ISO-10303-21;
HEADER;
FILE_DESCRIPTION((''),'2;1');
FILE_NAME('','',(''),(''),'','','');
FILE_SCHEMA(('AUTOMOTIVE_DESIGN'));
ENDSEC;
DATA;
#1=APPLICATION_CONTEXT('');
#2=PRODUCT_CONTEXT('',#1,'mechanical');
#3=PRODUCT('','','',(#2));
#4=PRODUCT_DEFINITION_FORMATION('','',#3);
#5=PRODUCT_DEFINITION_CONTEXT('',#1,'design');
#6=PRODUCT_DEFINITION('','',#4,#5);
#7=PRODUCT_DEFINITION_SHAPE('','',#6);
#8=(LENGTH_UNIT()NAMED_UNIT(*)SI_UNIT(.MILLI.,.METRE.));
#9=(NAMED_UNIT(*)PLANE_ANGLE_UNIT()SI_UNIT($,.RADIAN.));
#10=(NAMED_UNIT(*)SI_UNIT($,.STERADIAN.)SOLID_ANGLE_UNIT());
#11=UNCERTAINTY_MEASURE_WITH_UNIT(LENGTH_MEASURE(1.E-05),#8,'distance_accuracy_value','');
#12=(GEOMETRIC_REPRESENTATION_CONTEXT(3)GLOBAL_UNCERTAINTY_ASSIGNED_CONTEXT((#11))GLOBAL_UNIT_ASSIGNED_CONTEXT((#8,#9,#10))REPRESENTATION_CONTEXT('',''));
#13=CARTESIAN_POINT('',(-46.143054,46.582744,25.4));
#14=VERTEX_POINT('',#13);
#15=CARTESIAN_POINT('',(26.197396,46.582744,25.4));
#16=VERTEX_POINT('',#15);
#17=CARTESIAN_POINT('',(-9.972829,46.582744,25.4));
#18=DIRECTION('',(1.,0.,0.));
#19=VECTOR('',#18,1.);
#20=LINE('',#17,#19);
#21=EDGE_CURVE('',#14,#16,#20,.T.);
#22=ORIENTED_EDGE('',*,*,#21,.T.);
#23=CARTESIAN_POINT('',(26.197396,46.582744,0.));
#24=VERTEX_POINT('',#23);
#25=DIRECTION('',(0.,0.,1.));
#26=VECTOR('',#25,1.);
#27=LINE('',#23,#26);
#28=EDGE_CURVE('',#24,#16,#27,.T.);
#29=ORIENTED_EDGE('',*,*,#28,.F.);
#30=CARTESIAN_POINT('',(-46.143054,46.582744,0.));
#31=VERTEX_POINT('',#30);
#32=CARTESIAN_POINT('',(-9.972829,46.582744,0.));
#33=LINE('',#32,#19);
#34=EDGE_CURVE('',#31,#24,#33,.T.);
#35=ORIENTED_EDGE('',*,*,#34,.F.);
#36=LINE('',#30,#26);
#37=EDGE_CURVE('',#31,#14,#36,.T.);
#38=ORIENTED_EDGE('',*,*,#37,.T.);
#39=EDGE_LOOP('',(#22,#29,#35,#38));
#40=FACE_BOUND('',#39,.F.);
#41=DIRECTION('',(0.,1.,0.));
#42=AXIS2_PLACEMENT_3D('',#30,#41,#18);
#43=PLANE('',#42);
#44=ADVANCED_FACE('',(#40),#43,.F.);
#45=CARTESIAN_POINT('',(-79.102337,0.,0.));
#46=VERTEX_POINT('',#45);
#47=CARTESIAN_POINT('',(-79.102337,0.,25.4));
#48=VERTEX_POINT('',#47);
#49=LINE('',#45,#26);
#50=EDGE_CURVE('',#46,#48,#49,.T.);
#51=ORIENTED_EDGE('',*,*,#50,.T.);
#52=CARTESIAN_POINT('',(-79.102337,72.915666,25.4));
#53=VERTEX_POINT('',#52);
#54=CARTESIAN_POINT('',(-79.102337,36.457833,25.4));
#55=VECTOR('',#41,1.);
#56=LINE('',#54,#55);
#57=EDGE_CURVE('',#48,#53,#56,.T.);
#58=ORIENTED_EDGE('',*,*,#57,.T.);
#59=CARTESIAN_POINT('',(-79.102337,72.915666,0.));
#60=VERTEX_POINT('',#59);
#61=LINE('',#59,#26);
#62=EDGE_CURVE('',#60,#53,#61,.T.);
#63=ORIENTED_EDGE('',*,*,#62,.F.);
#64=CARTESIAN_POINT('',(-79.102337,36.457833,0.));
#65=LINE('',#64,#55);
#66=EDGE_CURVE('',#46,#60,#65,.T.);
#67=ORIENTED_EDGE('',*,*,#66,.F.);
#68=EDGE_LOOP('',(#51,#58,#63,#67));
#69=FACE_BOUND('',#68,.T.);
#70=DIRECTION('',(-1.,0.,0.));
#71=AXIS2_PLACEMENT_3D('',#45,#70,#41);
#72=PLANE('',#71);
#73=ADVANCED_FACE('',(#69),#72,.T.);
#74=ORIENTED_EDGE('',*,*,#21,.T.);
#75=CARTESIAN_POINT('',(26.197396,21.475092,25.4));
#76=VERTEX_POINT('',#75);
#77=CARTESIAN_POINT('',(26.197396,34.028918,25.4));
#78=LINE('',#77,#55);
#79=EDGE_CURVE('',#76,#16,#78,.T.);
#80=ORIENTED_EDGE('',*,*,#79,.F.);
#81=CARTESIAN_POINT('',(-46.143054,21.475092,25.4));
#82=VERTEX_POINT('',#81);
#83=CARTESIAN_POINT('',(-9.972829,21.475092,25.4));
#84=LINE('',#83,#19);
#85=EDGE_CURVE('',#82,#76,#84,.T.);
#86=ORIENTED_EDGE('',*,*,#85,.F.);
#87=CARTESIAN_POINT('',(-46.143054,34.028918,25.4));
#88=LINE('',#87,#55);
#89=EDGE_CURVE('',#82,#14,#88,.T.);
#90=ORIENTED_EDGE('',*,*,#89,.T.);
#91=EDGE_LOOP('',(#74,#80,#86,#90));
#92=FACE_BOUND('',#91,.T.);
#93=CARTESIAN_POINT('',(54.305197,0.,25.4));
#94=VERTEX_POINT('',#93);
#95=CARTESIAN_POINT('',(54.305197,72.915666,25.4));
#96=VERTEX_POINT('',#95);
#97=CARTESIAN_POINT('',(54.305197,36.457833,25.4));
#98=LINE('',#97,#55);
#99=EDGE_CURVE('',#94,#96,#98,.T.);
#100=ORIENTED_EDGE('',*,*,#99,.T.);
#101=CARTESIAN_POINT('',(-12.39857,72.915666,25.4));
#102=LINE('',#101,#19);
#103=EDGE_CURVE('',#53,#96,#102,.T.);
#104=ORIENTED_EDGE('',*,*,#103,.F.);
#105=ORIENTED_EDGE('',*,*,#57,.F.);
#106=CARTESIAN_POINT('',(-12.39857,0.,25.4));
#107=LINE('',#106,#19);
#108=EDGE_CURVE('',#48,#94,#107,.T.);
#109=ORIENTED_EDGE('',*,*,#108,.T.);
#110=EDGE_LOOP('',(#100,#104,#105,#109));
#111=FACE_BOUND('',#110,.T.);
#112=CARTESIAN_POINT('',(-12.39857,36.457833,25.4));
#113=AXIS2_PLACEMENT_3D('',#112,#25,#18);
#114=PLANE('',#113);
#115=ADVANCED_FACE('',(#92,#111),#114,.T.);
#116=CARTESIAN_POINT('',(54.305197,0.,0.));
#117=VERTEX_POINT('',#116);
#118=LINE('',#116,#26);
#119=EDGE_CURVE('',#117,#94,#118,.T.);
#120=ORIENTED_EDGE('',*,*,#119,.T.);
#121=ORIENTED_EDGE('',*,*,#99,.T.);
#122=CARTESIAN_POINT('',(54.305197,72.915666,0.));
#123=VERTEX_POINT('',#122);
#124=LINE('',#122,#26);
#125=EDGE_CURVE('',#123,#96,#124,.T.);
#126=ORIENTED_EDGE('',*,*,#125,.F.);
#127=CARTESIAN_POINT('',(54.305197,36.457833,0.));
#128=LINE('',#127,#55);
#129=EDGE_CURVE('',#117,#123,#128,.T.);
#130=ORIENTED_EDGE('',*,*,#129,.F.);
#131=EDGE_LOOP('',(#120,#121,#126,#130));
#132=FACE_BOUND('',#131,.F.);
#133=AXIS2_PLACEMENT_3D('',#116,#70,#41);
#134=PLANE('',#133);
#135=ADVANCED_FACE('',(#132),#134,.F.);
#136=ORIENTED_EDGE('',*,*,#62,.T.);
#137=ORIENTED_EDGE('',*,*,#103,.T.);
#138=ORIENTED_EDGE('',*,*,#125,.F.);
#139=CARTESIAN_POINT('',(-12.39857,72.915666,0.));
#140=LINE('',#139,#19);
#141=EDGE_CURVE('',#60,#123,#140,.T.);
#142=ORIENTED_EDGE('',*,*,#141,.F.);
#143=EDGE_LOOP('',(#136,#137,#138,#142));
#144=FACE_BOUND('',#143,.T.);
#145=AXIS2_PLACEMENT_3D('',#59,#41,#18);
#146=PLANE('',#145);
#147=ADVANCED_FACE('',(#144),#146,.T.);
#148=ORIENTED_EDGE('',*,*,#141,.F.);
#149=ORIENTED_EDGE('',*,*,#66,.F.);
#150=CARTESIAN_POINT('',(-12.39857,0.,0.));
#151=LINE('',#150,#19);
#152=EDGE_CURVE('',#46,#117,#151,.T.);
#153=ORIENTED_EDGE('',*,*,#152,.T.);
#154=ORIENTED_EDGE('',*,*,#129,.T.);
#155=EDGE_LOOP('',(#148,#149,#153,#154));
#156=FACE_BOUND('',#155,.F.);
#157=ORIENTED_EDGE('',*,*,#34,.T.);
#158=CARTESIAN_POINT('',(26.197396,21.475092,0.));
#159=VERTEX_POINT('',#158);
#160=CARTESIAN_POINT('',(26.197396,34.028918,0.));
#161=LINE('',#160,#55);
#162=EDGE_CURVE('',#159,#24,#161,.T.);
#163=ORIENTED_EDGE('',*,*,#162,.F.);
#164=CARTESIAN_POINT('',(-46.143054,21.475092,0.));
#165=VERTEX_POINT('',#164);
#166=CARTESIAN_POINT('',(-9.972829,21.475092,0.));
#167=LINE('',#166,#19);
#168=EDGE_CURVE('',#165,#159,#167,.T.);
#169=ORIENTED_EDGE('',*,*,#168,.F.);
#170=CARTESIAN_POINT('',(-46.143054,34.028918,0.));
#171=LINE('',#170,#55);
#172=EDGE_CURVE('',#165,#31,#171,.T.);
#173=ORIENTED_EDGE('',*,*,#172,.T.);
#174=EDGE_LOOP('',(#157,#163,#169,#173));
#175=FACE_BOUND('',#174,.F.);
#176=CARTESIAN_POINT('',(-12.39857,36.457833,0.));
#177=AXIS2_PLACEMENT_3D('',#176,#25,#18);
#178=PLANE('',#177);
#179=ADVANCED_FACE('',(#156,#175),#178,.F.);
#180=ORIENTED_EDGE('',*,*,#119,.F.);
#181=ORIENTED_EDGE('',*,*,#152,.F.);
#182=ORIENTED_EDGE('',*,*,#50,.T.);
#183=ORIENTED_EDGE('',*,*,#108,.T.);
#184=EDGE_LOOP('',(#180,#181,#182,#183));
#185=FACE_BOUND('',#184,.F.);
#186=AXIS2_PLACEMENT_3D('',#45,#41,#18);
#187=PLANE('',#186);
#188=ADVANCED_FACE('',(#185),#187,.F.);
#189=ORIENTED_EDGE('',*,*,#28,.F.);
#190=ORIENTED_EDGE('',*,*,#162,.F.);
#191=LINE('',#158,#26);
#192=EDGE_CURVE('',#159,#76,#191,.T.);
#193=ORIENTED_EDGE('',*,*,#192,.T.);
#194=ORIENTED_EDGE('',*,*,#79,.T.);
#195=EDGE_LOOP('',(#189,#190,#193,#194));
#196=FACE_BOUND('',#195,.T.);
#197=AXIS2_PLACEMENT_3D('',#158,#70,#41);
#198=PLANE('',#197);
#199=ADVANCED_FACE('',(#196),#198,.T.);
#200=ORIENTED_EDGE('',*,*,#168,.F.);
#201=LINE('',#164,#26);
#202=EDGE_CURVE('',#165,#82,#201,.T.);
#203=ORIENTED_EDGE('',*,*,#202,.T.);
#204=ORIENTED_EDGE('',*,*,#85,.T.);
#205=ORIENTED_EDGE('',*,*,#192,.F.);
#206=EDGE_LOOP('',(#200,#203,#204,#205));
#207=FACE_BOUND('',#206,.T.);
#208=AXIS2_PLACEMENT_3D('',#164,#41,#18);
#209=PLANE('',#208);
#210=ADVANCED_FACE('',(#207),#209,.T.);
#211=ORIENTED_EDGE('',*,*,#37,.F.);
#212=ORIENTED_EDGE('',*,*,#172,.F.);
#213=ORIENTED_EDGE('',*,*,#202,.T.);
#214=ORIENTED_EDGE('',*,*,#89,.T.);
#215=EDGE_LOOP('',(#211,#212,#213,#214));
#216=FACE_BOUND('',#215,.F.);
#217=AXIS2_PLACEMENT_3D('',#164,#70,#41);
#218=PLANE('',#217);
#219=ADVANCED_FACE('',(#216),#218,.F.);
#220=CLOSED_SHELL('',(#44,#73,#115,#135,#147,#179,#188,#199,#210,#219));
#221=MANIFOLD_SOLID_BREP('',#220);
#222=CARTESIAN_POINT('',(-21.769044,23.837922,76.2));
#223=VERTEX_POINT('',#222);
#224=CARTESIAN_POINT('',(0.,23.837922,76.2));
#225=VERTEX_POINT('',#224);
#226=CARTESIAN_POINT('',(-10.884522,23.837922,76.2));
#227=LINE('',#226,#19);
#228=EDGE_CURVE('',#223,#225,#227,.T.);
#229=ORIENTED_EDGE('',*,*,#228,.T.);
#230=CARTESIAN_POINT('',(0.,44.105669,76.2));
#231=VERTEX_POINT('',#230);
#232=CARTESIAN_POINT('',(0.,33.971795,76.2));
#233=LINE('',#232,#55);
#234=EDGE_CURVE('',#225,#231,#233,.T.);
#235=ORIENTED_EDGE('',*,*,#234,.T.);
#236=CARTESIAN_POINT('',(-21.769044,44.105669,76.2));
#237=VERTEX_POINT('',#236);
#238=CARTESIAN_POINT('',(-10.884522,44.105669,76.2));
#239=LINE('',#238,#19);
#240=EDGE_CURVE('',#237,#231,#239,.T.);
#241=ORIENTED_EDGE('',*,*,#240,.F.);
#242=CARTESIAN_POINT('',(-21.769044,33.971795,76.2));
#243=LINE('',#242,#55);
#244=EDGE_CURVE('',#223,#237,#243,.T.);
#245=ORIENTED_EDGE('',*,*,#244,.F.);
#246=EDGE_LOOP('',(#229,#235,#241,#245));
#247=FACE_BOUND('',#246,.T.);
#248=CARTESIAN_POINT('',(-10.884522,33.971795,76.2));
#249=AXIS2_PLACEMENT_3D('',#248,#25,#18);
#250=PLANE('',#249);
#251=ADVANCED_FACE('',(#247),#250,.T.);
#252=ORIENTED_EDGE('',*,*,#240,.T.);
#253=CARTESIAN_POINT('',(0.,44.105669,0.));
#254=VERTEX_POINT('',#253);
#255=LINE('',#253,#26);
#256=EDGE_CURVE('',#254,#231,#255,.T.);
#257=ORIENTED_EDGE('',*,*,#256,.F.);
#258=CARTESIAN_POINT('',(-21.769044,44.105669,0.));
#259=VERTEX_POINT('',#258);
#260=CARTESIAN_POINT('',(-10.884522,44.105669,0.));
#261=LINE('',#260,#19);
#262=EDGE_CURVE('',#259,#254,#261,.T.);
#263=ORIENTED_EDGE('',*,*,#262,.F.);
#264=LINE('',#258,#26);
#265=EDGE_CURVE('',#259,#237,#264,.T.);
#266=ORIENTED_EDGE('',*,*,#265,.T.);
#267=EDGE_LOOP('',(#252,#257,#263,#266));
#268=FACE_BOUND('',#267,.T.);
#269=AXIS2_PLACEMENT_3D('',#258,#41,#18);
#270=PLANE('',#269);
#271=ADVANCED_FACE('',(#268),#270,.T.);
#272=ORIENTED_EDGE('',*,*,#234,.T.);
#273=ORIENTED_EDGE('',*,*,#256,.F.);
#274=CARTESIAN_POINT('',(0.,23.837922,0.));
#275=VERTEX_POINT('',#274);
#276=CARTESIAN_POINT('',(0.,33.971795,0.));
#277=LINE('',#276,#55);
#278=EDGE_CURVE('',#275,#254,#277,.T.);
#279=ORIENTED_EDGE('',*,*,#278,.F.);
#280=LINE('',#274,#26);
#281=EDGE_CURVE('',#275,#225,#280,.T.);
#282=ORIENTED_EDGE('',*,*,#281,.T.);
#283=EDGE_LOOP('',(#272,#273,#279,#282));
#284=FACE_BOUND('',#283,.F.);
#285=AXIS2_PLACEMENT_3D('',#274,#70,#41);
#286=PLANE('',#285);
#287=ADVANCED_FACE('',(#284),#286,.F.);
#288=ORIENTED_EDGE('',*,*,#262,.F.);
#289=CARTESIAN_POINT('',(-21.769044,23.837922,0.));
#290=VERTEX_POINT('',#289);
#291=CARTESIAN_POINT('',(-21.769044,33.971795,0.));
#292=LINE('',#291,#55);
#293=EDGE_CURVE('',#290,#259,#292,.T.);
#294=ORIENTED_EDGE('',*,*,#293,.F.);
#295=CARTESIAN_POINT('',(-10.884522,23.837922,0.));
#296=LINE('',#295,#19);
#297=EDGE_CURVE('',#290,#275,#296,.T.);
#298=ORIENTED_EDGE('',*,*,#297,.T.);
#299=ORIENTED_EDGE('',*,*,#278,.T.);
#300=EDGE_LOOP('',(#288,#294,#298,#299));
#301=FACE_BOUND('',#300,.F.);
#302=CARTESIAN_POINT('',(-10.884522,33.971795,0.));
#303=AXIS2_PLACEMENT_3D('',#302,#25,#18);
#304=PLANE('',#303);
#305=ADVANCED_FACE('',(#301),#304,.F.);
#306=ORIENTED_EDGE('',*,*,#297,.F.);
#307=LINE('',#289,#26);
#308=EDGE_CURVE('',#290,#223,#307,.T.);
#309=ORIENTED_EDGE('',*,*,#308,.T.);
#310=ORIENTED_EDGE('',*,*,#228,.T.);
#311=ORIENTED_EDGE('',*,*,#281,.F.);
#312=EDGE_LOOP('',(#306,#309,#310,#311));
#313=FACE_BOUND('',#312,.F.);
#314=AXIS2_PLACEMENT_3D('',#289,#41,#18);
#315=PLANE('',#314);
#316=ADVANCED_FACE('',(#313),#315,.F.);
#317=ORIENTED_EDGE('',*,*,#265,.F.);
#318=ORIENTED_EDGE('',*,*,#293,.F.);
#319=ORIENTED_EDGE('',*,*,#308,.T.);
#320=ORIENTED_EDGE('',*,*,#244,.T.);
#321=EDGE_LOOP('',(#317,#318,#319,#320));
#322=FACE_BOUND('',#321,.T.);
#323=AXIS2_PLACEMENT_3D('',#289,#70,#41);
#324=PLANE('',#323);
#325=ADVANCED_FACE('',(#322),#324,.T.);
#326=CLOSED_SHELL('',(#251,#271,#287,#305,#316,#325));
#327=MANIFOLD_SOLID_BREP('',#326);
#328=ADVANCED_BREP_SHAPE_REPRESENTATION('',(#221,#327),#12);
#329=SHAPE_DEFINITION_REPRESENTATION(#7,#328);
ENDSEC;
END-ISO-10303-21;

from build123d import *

# Parameters (mm, degrees)
F0_W     = 133.407533
F0_H     = 72.915666
F0_W_2   = 72.340451
F0_H_2   = 25.107652
F1_DEPTH = 25.4
F2_W     = 21.769044
F2_H     = 20.267747
F3_DEPTH = 76.2


with BuildPart() as f1:
    # F0 (on Top) → F1 (new body)
    with BuildSketch(Plane.XY):
        with Locations((-12.39857, 36.457833)):
            Rectangle(F0_W, F0_H)
        with Locations((-9.972829, 34.028918)):
            Rectangle(F0_W_2, F0_H_2, mode=Mode.SUBTRACT)
    extrude(amount=F1_DEPTH)


with BuildPart() as f3:
    # F2 (on Top) → F3 (new body)
    with BuildSketch(Plane.XY):
        with Locations((-10.884522, 33.971795)):
            Rectangle(F2_W, F2_H)
    extrude(amount=F3_DEPTH)


solid = Compound([f1.part, f3.part])
